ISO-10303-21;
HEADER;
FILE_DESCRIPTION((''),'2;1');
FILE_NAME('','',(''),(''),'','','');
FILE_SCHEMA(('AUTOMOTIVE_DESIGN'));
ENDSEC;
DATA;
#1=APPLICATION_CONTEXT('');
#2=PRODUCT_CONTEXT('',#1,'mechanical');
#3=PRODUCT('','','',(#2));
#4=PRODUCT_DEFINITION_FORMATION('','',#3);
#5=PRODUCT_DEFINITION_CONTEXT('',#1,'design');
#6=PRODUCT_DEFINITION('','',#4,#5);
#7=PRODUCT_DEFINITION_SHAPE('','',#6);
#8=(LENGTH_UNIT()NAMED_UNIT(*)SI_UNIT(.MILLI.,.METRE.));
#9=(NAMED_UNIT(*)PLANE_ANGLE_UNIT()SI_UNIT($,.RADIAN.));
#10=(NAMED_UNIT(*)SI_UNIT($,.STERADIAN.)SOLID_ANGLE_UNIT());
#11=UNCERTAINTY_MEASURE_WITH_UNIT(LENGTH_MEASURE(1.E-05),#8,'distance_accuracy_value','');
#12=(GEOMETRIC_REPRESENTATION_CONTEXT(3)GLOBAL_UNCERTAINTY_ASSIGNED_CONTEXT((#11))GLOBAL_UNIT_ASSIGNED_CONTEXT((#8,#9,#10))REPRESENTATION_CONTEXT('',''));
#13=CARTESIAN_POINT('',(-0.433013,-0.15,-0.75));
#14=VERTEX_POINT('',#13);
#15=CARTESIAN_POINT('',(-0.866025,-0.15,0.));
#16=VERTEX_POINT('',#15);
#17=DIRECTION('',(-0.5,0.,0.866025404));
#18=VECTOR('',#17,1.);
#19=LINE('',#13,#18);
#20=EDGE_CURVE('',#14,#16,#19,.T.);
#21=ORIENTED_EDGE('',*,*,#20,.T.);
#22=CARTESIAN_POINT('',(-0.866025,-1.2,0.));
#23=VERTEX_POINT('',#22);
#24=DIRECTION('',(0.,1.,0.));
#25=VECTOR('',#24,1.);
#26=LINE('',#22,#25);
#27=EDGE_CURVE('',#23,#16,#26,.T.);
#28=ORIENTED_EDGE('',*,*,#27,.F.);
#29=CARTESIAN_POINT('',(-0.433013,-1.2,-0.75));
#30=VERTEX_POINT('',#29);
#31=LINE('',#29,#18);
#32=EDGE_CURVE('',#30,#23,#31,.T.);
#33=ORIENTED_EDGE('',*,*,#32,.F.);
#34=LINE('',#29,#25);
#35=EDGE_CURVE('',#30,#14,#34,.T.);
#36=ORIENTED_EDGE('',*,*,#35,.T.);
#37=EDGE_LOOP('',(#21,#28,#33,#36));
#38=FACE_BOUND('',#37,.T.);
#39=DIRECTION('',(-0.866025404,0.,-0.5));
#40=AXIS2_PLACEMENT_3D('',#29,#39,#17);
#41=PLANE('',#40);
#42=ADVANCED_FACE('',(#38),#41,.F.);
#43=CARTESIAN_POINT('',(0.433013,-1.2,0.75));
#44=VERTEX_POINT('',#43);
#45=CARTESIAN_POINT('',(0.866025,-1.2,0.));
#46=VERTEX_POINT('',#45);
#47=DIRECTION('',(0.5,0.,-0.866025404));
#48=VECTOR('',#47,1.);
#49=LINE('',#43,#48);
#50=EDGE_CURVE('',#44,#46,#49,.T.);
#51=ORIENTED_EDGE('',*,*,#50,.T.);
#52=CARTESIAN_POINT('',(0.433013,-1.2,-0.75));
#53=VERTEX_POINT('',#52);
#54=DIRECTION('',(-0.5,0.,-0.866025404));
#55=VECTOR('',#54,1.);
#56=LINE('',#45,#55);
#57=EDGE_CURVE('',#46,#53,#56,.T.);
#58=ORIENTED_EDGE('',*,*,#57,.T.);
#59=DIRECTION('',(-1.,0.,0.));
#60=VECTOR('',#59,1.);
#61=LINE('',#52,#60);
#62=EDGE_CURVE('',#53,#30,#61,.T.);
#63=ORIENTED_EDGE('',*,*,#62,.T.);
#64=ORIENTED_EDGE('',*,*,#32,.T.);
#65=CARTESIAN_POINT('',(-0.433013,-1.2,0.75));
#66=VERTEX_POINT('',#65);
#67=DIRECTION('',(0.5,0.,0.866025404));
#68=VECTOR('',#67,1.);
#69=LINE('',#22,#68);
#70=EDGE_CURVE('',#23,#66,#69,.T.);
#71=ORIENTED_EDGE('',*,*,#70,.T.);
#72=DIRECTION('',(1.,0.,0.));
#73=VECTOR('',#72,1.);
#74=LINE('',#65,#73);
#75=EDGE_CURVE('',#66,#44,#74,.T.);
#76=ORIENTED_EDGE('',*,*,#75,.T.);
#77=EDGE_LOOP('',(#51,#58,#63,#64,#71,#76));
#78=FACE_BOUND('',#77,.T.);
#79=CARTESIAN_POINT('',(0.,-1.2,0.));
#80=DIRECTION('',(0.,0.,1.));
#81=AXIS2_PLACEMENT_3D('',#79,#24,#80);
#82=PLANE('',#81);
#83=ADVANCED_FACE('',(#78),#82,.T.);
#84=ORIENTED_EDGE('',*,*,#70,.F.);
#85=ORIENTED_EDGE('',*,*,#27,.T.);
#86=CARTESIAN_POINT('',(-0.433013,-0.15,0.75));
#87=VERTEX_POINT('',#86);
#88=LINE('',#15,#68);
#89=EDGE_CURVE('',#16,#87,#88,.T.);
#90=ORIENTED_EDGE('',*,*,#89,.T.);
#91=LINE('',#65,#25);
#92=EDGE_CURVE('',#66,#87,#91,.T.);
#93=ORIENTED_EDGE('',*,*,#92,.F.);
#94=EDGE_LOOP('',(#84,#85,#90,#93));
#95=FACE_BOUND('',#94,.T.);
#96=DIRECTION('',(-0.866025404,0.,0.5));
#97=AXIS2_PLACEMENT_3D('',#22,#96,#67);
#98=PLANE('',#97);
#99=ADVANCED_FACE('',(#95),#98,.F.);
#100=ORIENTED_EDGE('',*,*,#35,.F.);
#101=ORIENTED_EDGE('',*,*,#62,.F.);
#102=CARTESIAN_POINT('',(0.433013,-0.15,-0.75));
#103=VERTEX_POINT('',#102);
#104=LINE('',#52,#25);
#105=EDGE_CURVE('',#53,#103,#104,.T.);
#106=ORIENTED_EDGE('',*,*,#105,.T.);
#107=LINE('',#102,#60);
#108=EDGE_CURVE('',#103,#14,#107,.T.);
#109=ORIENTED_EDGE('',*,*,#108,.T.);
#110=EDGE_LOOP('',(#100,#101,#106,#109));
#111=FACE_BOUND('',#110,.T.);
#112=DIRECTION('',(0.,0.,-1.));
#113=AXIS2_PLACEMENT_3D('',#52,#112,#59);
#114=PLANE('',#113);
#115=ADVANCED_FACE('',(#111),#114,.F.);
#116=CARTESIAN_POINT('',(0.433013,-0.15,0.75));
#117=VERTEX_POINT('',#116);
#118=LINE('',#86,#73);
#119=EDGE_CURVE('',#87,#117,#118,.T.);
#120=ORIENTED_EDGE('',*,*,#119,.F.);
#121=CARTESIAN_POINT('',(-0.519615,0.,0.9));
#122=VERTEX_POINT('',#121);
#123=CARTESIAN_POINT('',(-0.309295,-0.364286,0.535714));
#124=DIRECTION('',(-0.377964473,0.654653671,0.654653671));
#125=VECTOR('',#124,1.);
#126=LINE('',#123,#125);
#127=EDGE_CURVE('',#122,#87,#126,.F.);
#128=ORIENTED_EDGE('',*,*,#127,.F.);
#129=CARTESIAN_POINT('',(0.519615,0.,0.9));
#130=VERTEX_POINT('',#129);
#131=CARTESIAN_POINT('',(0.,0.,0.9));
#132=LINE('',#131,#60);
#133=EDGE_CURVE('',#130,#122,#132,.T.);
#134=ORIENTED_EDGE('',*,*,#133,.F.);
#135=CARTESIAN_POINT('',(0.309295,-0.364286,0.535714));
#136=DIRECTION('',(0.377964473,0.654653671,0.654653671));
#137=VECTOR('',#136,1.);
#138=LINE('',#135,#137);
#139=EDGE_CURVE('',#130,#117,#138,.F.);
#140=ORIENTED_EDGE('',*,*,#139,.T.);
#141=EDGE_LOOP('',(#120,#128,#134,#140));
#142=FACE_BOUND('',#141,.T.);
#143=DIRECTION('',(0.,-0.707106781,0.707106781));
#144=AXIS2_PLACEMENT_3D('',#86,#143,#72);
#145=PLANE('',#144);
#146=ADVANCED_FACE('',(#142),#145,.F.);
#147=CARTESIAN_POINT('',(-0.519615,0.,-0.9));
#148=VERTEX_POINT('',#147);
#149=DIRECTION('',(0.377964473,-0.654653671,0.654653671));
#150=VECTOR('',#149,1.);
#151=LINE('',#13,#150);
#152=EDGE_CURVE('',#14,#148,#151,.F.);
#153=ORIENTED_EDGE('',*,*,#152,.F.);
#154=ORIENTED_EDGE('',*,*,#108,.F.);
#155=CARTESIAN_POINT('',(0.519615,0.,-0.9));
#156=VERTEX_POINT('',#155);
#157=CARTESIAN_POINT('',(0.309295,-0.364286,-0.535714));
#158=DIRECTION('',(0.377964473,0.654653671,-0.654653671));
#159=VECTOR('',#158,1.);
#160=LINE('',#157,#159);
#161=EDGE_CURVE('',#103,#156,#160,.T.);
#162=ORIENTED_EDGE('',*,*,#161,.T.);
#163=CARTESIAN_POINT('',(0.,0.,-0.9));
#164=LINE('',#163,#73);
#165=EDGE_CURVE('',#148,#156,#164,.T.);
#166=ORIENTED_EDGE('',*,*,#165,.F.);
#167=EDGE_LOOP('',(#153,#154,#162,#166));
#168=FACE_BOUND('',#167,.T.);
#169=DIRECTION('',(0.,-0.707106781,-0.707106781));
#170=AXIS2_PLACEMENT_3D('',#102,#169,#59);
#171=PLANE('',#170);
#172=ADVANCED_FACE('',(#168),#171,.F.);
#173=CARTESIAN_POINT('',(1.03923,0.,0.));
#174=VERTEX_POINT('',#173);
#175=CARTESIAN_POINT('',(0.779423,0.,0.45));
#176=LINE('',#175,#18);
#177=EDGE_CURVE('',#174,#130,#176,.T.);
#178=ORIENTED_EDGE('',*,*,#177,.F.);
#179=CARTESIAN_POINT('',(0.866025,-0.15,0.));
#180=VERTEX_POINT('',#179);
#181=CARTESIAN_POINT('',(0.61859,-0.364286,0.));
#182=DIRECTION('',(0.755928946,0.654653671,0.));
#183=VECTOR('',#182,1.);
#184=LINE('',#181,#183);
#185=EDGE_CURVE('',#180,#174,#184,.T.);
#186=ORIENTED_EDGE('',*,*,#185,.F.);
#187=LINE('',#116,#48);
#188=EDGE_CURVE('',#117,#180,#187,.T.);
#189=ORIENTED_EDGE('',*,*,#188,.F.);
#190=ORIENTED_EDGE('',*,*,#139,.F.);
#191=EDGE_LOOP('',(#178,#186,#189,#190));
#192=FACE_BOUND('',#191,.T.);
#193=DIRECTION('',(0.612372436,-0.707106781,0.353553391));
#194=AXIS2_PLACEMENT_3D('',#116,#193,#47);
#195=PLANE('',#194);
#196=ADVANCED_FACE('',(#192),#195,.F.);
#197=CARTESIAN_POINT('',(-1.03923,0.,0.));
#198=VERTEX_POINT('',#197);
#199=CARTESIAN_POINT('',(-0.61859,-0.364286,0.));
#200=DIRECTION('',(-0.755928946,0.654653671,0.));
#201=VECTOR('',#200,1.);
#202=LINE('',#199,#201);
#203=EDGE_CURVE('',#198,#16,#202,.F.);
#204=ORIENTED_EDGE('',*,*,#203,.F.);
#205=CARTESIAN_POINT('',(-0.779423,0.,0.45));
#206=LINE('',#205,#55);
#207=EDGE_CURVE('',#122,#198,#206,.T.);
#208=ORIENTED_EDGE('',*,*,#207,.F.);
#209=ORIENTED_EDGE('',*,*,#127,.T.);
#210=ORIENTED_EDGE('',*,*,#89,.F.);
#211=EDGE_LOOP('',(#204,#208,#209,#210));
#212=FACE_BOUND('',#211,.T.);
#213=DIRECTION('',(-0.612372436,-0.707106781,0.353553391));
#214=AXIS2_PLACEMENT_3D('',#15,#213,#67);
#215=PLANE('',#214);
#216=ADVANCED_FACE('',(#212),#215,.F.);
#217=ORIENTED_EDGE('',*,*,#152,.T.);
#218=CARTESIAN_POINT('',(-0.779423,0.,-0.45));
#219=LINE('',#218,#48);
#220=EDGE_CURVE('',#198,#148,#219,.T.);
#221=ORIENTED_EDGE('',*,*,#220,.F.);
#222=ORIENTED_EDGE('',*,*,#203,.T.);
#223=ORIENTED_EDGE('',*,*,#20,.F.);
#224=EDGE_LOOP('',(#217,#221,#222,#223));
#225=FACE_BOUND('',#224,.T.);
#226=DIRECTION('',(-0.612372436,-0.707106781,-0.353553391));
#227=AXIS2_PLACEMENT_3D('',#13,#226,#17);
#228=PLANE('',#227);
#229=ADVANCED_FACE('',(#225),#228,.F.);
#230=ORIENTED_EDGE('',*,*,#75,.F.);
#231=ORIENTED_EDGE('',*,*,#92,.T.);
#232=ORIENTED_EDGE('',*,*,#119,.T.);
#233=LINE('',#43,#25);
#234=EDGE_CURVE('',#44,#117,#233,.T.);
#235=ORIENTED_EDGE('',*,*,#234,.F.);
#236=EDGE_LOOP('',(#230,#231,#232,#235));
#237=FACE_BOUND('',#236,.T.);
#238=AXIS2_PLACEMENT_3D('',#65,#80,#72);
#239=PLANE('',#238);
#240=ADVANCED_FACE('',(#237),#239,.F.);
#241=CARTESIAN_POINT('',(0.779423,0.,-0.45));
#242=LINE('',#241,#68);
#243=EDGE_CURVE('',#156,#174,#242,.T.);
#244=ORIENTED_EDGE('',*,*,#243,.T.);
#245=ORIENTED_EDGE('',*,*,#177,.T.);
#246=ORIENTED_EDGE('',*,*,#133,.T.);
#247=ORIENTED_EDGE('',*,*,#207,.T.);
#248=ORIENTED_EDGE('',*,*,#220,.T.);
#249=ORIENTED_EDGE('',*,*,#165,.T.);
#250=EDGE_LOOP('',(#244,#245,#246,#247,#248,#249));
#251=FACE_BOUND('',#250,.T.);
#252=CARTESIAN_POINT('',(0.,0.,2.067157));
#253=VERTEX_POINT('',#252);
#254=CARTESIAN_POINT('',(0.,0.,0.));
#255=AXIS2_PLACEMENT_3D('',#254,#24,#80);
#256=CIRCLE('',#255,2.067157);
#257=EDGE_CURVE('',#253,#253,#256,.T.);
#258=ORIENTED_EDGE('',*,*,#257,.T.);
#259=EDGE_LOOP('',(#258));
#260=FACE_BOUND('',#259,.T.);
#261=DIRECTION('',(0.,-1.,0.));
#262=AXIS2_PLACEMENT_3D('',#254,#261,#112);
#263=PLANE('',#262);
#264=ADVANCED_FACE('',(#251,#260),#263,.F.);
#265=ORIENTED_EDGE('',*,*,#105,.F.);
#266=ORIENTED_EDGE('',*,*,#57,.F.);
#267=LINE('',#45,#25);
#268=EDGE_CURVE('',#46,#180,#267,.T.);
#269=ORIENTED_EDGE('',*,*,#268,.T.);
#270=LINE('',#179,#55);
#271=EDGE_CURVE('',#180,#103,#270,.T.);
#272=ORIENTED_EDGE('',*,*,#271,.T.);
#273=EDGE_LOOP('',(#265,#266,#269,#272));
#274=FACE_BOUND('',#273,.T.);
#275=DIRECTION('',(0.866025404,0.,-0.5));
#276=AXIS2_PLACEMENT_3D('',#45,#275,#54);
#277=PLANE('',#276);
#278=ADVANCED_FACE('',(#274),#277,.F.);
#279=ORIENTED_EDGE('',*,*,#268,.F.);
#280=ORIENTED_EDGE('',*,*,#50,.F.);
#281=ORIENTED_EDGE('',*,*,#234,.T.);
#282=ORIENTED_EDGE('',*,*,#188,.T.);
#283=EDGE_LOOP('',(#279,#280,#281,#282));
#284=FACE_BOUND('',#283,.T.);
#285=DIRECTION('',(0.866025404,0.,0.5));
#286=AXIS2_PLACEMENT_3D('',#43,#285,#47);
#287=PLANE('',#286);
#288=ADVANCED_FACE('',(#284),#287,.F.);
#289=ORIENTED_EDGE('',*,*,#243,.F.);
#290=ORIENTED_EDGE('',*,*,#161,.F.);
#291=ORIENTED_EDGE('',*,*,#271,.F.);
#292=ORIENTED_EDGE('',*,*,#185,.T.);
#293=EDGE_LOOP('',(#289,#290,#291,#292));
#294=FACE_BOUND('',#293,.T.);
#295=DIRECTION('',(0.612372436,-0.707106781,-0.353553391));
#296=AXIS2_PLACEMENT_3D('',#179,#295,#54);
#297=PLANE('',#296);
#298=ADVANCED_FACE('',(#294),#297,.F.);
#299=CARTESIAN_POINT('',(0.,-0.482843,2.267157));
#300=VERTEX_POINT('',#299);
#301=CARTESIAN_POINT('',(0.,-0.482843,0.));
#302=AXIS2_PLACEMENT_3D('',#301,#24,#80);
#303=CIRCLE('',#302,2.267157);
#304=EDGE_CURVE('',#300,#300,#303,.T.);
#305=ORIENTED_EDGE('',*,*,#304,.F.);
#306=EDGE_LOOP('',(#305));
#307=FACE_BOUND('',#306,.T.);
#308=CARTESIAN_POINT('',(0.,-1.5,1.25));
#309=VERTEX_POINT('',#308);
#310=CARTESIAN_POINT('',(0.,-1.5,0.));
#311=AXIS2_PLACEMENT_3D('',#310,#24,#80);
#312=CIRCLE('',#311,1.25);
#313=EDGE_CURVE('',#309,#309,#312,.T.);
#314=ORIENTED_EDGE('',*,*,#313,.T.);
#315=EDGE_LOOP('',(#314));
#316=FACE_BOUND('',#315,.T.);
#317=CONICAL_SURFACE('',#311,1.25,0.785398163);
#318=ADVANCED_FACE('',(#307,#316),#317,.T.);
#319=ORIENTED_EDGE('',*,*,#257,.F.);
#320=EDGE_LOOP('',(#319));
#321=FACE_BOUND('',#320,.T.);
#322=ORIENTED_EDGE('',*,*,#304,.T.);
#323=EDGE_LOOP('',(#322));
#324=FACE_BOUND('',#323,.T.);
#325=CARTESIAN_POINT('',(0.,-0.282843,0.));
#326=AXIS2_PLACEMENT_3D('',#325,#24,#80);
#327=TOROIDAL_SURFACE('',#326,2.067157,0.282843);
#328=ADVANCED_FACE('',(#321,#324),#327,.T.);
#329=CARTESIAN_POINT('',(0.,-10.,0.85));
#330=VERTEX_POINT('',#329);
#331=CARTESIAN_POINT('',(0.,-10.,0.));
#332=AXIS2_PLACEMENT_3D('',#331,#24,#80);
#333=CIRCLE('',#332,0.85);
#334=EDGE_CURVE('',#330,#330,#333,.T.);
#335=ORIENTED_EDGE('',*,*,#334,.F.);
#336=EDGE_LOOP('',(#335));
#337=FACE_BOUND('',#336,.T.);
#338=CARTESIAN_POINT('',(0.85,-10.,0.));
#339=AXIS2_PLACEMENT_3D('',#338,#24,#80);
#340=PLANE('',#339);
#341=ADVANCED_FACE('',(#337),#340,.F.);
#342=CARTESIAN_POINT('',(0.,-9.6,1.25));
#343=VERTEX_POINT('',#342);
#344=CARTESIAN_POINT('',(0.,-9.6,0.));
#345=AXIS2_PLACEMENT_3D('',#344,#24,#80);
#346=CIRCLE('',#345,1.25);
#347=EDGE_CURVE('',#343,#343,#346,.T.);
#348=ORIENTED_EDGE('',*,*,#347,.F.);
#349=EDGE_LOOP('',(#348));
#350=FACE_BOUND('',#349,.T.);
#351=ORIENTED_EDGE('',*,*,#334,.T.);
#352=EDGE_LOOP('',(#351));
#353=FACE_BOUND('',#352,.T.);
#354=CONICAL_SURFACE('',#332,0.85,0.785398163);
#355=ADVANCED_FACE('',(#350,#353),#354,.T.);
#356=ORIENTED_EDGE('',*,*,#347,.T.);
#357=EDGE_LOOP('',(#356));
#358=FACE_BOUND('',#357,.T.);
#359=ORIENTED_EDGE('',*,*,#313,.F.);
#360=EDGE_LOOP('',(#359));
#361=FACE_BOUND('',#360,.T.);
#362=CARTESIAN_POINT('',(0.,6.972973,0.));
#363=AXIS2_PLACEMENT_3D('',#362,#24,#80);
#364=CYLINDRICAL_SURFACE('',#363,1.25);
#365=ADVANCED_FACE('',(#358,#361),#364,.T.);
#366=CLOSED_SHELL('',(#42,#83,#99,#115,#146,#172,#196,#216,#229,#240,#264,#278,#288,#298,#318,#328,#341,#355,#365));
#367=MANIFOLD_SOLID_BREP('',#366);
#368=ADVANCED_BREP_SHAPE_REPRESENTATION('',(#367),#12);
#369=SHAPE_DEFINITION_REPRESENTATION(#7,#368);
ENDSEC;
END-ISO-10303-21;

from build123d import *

# Parameters (mm, degrees)
ENL_V_MAT_EXTRU_1_DEPTH = 1.2
CHANFREIN1_SIZE         = 0.15


with BuildPart() as part:
    # Esquisse1 → Révolution1 (revolve)
    with BuildSketch(Plane.XY, mode=Mode.PRIVATE) as r_volution1_sk:
        with BuildLine():
            Line((1.25, -9.6), (0.85, -10))
            Line((0.85, -10), (0, -10))
            Line((0, -10), (0, 0))
            Line((0, 0), (2.067157288, 0))
            ThreePointArc((2.067157288, 0), (2.328469881, -0.174603492), (2.267157288, -0.482842712))
            Line((2.267157288, -0.482842712), (1.25, -1.5))
            Line((1.25, -1.5), (1.25, -9.6))
        make_face()
    revolve(r_volution1_sk.sketch.rotate(Axis((0, 6.972972973, 0), (0, -1, 0)), 90), axis=Axis((0, 6.972972973, 0), (0, -1, 0)))

    # Esquisse2 → Enlèv. mat.-Extru.1 (cut)
    with BuildSketch(Plane(origin=(0, 0, 0), x_dir=(1, 0, 0), z_dir=(0, 1, 0))):
        Polygon((-0.866025404, 0), (-0.433012702, -0.75), (0.433012702, -0.75), (0.866025404, 0), (0.433012702, 0.75), (-0.433012702, 0.75), align=None)
    extrude(amount=-ENL_V_MAT_EXTRU_1_DEPTH, mode=Mode.SUBTRACT)

    # Chanfrein1
    chanfrein1_edges = [part.edges().sort_by_distance(p)[0] for p in [
        (-0.649519053, 0, -0.375),
        (-0.649519053, 0, 0.375),
        (0, 0, 0.75),
        (0.649519053, 0, 0.375),
        (0.649519053, 0, -0.375),
        (0, 0, -0.75),
    ]]
    chamfer(chanfrein1_edges, length=CHANFREIN1_SIZE)


solid = part.part
